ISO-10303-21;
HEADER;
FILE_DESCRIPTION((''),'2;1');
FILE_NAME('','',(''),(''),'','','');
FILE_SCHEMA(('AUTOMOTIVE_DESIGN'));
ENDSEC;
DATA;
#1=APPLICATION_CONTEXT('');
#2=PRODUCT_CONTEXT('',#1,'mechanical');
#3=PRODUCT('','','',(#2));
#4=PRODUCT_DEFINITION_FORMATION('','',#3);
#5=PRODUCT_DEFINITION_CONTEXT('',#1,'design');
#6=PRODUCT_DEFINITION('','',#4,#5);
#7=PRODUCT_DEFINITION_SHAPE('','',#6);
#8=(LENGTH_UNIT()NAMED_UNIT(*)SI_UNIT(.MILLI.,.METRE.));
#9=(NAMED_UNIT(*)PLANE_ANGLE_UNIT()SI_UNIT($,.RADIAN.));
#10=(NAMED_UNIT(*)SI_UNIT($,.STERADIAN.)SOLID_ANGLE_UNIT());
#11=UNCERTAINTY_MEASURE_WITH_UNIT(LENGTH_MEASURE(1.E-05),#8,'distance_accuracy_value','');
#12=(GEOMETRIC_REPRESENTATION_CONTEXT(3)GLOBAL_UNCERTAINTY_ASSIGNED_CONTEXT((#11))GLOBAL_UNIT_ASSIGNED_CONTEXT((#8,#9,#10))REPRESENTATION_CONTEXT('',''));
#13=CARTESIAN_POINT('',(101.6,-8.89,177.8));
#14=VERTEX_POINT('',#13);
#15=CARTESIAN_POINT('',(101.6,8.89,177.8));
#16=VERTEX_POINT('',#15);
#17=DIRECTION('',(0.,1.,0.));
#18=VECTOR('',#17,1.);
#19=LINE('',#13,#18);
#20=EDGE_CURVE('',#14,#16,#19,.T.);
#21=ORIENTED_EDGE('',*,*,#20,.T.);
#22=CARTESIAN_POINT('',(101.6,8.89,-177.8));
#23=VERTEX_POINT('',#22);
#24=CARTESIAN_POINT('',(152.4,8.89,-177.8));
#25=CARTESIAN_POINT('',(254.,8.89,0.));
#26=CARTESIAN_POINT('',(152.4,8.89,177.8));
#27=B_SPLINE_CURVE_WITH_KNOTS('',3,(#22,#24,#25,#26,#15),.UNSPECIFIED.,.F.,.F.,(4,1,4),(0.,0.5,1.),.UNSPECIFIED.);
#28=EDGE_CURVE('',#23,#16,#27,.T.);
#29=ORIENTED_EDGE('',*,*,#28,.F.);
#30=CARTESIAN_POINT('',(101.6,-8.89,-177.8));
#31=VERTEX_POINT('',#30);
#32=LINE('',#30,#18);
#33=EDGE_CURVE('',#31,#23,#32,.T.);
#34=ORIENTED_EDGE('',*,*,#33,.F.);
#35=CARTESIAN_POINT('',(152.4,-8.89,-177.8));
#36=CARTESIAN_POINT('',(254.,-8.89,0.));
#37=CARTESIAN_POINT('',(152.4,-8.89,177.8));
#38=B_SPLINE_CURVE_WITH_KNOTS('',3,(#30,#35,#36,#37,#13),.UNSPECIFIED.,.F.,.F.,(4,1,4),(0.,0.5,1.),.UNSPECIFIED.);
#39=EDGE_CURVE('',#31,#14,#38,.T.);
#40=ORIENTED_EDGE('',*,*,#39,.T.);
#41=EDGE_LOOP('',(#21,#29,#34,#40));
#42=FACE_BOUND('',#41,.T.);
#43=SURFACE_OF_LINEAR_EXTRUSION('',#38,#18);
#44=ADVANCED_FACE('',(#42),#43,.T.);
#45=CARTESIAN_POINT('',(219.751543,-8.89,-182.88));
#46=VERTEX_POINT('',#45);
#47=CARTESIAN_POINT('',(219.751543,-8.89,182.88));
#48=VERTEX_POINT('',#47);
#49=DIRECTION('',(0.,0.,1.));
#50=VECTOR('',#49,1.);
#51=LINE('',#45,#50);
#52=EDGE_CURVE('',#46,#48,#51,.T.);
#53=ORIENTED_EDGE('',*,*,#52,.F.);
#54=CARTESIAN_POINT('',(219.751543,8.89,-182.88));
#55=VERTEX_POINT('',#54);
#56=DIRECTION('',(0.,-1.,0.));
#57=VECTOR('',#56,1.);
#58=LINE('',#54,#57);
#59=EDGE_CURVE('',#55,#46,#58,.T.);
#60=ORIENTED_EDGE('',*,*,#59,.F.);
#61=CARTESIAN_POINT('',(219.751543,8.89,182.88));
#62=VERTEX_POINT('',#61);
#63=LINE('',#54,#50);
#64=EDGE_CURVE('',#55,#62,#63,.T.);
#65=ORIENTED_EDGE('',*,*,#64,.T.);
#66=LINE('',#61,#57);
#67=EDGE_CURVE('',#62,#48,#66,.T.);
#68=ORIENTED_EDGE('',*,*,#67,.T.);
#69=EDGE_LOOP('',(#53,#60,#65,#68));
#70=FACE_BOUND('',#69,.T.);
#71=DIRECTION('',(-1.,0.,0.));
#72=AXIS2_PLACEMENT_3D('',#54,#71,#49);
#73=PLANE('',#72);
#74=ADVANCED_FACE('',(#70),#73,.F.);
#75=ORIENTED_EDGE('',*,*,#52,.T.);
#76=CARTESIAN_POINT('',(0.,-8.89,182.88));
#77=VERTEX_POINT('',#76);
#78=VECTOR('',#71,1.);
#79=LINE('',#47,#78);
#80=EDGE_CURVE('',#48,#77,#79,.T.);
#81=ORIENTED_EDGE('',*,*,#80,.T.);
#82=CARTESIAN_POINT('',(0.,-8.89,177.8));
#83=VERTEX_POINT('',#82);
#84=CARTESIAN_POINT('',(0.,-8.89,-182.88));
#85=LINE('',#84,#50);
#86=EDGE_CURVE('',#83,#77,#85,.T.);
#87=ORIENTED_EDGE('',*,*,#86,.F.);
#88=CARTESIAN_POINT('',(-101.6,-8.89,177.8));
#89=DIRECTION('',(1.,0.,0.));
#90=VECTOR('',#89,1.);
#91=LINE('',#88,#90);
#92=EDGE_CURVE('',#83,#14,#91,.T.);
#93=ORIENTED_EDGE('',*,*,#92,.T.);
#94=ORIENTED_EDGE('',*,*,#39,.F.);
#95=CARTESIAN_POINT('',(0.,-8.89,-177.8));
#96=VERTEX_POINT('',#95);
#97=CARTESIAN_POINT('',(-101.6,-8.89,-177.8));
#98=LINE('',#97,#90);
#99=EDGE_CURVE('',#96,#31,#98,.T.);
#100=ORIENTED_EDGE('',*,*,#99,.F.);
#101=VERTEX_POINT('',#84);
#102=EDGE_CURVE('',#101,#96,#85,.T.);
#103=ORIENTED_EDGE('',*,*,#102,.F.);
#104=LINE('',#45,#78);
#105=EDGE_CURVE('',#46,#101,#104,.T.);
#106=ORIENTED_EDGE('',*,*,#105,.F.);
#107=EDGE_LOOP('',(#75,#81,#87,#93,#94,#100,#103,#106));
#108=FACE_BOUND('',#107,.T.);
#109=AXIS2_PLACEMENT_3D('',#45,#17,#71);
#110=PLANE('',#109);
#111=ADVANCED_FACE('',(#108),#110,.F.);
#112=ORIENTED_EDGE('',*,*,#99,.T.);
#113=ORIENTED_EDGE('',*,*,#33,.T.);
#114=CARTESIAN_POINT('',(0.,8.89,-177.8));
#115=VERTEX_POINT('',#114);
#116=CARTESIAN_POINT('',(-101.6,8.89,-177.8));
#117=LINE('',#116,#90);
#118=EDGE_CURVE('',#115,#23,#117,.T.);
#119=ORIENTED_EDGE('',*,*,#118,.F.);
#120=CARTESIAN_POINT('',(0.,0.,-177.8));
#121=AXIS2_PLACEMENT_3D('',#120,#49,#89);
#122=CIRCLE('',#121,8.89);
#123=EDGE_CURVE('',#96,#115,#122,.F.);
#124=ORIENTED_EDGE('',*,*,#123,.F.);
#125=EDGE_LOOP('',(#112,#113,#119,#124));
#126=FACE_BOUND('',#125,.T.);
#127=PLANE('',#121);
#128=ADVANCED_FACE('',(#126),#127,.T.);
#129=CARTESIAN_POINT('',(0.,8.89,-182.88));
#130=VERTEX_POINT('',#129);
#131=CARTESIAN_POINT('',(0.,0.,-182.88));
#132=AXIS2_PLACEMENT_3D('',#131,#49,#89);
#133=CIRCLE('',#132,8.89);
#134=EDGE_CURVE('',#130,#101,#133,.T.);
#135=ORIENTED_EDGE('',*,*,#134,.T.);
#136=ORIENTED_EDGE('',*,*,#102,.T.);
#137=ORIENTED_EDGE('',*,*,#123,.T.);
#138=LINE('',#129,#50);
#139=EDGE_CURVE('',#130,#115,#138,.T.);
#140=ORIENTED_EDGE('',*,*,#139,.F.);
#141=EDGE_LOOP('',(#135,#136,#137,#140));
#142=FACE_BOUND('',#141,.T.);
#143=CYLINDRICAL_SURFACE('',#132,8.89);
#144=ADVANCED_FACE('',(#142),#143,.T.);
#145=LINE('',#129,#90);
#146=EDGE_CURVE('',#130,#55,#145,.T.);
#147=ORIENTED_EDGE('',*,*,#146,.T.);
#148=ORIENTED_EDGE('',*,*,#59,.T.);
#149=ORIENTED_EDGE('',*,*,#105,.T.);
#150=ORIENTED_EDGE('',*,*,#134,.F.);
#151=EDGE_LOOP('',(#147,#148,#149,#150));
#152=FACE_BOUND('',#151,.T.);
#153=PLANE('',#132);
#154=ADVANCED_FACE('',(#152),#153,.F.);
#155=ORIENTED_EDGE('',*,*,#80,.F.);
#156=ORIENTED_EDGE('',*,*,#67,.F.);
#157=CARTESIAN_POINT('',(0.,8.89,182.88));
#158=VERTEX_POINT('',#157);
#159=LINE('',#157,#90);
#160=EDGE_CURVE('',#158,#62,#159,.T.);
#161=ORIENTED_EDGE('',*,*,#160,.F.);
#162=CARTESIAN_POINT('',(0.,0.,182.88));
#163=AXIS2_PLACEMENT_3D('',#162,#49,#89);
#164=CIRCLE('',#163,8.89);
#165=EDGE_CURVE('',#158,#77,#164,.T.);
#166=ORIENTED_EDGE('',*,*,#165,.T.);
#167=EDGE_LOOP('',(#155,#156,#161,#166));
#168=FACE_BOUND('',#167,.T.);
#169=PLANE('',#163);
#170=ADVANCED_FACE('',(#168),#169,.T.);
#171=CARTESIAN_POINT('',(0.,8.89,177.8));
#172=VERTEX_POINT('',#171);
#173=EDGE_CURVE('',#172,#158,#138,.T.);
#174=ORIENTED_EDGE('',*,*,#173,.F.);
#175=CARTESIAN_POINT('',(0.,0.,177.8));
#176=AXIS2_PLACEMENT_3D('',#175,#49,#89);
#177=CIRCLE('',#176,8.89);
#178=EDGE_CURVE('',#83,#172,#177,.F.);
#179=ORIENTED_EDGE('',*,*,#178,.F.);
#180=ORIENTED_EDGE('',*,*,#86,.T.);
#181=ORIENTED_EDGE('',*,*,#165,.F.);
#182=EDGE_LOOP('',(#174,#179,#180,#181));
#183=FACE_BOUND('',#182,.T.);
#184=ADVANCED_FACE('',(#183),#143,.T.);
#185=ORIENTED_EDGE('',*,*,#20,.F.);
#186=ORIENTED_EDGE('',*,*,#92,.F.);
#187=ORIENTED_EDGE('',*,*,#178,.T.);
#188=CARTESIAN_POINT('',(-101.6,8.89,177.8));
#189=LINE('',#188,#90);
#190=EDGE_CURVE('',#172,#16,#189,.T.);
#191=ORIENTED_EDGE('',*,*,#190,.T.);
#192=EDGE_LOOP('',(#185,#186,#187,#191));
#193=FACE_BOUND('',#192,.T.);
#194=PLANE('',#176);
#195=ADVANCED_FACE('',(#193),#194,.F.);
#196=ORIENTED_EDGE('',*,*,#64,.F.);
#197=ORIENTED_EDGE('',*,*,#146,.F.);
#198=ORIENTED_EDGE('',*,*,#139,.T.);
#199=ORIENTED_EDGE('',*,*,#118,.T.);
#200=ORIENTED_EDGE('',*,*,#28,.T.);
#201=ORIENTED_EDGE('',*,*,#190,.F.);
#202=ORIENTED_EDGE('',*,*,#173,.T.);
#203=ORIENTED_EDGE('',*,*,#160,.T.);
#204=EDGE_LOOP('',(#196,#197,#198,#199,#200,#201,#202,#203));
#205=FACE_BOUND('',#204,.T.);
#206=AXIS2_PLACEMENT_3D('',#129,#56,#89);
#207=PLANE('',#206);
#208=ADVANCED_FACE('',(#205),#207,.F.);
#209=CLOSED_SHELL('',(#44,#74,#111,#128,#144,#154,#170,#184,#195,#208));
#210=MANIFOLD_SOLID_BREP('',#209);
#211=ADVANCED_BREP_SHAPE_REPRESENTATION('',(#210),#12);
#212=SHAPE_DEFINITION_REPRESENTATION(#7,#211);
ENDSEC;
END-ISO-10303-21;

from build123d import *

# Parameters (mm, degrees)
BOSS_EXTRUDE1_DEPTH      = 182.88
BOSS_EXTRUDE1_DEPTH_BACK = 182.88
CUT_EXTRUDE1_DEPTH       = 177.8
CUT_EXTRUDE1_DEPTH_BACK  = 177.8
SKETCH1_5_OUTSIDE_W      = 316.984
SKETCH1_5_OUTSIDE_H      = 106.122
SKETCH1_5_OUTSIDE_R      = 3.81
CUT_EXTRUDE2_DEPTH       = 287.032982605
CUT_EXTRUDE2_DEPTH_BACK  = 287.032982605


with BuildPart() as part:
    # Sketch1 → Boss-Extrude1 (new, two sides: drawn at the far end of the back side and taken through both)
    with BuildSketch(Plane.XY.offset(-BOSS_EXTRUDE1_DEPTH_BACK)):
        with BuildLine():
            Line((0, 8.89), (219.75154297, 8.89))
            Line((219.75154297, 8.89), (219.75154297, -8.89))
            Line((219.75154297, -8.89), (0, -8.89))
            ThreePointArc((0, -8.89), (-8.89, 0), (0, 8.89))
        make_face()
    extrude(amount=BOSS_EXTRUDE1_DEPTH + BOSS_EXTRUDE1_DEPTH_BACK)

    # Sketch1<5> outside → Cut-Extrude1 (cut, two sides: drawn at the far end of the back side and taken through both)
    # profile 1 of 2: a face of its own
    with BuildSketch(Plane.XY.offset(-CUT_EXTRUDE1_DEPTH_BACK)):
        with Locations((105.431, 0)):
            Rectangle(SKETCH1_5_OUTSIDE_W, SKETCH1_5_OUTSIDE_H)
        with BuildLine():
            Line((0, 8.89), (219.75154297, 8.89))
            Line((219.75154297, 8.89), (219.75154297, -8.89))
            Line((219.75154297, -8.89), (0, -8.89))
            ThreePointArc((0, -8.89), (-8.89, 0), (0, 8.89))
        make_face(mode=Mode.SUBTRACT)
    # profile 2 of 2: a face of its own
    with BuildSketch(Plane.XY.offset(-CUT_EXTRUDE1_DEPTH_BACK)):
        Circle(SKETCH1_5_OUTSIDE_R)
    extrude(amount=CUT_EXTRUDE1_DEPTH + CUT_EXTRUDE1_DEPTH_BACK, mode=Mode.SUBTRACT)

    # Sketch3 → Cut-Extrude2 (cut, two sides: drawn at the far end of the back side and taken through both)
    with BuildSketch(Plane(origin=(0, 0, 0), x_dir=(1, 0, 0), z_dir=(0, 1, 0)).offset(-CUT_EXTRUDE2_DEPTH_BACK)):
        with BuildLine():
            Line((-101.6, 177.8), (101.6, 177.8))
            add(Edge.make_bspline(
                [(101.6, 177.8), (152.4, 177.8), (254, 0), (152.4, -177.8), (101.6, -177.8)],
                knots=[0, 0, 0, 0, 0.5, 1, 1, 1, 1], degree=3))
            Line((101.6, -177.8), (-101.6, -177.8))
            Line((-101.6, -177.8), (-101.6, 177.8))
        make_face()
    extrude(amount=CUT_EXTRUDE2_DEPTH + CUT_EXTRUDE2_DEPTH_BACK, mode=Mode.SUBTRACT)


solid = part.part
